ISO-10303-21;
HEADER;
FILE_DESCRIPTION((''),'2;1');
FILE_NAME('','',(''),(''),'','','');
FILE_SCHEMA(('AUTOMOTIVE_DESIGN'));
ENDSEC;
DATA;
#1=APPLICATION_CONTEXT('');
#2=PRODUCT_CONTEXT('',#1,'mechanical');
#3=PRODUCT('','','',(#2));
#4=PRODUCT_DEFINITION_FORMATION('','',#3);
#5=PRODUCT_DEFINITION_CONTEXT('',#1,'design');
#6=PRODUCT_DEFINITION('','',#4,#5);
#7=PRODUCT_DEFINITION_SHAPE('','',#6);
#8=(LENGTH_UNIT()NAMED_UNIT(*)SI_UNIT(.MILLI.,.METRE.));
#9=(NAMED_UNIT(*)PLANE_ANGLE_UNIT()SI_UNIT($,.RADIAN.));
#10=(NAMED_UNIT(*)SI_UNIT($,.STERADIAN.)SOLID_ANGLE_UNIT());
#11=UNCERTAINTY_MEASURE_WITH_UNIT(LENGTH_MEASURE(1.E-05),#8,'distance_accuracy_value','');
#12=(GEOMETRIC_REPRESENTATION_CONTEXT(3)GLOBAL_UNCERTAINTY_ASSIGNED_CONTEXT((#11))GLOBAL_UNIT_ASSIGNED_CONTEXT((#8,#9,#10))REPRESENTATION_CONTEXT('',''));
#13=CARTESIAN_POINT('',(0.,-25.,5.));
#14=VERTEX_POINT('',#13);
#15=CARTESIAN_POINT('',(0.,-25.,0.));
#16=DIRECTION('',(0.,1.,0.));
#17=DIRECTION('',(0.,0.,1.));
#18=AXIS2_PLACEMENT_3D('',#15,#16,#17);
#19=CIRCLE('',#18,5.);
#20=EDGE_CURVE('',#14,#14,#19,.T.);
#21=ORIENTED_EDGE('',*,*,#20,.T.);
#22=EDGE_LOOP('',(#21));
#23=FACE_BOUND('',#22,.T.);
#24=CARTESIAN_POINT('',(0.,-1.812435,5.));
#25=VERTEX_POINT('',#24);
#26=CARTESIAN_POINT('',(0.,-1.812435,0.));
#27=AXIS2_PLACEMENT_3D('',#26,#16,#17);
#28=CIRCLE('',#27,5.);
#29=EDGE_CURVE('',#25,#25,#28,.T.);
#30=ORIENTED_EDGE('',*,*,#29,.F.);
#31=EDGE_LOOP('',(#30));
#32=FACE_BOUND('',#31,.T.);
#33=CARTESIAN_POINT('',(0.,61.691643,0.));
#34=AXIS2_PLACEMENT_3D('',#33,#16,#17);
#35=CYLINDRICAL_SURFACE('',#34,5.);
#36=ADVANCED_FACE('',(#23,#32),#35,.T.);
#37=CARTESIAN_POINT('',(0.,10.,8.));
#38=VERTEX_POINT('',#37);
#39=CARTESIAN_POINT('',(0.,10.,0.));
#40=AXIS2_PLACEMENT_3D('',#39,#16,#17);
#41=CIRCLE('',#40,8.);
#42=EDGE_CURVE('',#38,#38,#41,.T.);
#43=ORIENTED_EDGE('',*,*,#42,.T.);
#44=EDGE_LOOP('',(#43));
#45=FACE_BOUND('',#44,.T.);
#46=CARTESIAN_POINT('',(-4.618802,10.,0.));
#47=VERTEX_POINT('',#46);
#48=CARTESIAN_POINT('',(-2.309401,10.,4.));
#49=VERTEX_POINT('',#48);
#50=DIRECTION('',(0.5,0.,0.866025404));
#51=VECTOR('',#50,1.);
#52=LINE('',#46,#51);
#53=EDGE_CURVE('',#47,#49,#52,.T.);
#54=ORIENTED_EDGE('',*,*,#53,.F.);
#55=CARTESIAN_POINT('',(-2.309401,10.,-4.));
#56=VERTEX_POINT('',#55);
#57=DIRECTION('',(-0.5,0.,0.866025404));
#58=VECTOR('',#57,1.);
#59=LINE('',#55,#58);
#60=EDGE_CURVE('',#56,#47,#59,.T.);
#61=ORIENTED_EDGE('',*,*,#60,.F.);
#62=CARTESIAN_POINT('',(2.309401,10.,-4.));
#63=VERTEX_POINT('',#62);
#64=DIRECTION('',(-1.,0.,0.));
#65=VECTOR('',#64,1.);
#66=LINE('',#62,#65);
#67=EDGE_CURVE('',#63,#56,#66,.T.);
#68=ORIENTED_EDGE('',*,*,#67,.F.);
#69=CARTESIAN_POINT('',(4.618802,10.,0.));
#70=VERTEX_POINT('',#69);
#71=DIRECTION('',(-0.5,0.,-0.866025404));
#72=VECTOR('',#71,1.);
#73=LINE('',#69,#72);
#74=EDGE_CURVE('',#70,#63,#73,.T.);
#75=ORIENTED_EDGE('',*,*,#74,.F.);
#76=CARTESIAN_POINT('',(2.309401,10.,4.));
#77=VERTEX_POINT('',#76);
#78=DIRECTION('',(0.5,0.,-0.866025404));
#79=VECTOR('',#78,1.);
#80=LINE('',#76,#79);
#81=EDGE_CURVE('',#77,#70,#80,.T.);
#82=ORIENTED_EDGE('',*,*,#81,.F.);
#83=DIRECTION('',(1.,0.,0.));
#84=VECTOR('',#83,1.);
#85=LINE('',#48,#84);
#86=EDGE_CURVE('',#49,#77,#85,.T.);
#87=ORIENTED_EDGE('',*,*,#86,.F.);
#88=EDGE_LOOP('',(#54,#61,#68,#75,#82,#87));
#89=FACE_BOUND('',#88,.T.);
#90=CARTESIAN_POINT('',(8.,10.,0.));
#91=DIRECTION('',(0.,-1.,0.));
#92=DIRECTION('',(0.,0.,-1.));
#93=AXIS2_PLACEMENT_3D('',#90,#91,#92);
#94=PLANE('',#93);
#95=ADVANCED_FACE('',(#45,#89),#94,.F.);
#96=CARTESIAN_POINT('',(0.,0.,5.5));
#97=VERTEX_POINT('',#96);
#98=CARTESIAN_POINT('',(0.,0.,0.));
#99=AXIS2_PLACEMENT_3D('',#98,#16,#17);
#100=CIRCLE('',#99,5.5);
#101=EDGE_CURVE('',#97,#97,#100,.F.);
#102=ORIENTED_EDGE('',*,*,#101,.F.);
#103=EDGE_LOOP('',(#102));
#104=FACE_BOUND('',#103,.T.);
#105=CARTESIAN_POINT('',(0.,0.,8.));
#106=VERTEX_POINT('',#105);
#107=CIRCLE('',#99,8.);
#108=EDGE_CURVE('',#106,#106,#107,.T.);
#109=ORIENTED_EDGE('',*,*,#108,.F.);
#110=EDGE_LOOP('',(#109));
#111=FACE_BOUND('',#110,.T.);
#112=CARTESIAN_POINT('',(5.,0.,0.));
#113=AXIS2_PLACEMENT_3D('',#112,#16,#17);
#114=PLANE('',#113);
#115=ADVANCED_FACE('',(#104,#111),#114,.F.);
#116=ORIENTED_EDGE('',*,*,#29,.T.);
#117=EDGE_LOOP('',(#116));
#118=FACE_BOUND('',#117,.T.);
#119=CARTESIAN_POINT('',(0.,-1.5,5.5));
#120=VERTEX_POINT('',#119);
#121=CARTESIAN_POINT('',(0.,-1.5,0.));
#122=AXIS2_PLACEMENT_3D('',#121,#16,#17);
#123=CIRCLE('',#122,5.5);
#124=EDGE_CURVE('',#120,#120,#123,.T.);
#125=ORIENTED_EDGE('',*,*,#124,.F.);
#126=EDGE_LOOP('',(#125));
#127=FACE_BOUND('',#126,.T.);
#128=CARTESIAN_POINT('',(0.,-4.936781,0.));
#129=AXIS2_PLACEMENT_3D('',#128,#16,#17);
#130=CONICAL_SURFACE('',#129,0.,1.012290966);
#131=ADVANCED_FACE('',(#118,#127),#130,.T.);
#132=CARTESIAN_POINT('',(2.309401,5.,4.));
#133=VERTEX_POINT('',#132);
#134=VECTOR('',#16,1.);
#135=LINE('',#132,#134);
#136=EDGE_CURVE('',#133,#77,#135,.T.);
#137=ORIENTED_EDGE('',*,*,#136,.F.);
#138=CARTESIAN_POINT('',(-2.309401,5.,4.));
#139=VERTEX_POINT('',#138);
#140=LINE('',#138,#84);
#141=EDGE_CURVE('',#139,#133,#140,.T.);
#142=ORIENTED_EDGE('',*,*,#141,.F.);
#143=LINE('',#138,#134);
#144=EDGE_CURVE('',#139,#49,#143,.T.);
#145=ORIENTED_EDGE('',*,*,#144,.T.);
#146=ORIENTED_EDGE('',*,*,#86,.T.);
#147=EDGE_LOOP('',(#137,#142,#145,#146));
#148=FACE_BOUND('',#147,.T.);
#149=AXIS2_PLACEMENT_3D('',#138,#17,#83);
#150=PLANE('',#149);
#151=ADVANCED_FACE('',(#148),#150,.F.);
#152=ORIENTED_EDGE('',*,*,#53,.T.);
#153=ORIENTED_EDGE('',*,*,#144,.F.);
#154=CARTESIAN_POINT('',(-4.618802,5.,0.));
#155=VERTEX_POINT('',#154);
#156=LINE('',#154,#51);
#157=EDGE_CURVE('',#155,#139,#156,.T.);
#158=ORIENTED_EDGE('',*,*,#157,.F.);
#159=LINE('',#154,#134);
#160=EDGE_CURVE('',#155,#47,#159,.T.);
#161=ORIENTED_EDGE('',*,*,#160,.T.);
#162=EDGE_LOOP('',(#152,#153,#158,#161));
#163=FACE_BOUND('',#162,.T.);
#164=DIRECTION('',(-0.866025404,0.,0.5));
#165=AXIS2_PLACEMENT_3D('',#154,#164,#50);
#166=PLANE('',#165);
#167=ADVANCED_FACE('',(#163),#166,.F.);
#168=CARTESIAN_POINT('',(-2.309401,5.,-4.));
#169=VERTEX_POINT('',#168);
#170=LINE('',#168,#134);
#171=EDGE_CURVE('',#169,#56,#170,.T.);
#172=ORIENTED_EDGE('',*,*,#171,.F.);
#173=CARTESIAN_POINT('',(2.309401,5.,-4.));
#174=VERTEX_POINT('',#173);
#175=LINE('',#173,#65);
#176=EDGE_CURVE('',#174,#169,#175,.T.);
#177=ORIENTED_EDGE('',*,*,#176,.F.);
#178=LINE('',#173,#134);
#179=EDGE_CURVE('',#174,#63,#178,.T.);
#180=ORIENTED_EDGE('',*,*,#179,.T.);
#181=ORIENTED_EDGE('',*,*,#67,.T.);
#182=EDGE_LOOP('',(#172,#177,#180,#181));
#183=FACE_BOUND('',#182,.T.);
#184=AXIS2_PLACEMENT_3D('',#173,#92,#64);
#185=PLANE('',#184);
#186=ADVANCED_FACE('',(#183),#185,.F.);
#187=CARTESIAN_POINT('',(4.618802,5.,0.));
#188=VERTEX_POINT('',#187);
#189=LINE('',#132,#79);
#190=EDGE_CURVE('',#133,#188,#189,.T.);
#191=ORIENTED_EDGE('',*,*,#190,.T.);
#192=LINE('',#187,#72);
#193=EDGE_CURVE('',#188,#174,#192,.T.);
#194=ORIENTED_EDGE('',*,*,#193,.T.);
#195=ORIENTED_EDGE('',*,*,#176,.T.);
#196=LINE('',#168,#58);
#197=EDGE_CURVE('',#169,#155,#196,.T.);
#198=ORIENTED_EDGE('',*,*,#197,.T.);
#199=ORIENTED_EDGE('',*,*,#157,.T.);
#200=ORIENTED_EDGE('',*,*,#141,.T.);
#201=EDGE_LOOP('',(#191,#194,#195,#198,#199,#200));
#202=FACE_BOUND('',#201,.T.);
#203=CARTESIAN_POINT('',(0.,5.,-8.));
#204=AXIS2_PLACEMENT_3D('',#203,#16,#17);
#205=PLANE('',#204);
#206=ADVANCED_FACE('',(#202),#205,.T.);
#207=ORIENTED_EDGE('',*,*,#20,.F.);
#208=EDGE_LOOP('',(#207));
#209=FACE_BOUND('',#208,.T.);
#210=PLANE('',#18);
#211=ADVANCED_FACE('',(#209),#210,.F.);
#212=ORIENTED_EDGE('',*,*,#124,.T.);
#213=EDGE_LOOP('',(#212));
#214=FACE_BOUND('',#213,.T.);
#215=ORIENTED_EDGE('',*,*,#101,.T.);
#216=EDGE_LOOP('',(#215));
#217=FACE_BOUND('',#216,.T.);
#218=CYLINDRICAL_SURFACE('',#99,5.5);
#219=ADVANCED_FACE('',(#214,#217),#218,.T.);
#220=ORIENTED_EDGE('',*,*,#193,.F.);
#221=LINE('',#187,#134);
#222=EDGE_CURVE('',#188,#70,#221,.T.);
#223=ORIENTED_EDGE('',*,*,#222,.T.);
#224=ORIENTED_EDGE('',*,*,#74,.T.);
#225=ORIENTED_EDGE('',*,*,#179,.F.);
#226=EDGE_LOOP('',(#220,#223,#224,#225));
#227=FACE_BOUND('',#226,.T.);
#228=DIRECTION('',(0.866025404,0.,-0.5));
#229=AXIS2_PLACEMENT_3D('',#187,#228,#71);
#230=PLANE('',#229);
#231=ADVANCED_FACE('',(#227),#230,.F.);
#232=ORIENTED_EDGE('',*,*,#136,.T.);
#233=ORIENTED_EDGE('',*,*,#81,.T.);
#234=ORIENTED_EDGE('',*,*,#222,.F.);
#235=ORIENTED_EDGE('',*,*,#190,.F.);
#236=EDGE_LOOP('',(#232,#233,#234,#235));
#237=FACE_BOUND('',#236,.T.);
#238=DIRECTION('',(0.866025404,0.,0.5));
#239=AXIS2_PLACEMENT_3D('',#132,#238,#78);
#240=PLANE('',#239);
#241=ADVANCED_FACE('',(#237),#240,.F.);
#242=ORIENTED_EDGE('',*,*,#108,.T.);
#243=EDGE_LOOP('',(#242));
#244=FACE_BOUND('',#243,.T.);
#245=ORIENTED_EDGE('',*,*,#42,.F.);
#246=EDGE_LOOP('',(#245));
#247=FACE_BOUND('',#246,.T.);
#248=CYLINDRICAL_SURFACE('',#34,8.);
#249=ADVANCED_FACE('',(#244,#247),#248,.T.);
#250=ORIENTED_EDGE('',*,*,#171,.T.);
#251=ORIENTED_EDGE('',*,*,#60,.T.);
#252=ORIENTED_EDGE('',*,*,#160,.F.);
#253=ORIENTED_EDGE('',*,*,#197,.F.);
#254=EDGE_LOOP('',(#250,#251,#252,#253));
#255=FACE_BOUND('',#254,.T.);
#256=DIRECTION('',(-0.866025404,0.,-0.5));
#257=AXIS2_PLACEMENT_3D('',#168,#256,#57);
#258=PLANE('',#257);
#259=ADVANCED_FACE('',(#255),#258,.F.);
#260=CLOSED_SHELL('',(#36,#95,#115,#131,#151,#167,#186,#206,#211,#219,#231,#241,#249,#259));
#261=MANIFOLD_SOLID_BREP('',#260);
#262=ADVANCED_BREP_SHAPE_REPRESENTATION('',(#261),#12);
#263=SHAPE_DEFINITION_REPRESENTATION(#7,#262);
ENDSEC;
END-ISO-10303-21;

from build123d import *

# Parameters (mm, degrees)
CUT_EXTRUDE1_DEPTH = 5


with BuildPart() as part:
    # Sketch1 → Revolve1 (revolve)
    with BuildSketch(Plane.XY, mode=Mode.PRIVATE) as revolve1_sk:
        Polygon((0, -25), (5, -25), (5, 0), (8, 0), (8, 10), (0, 10), align=None)
    revolve(revolve1_sk.sketch.rotate(Axis((0, 61.691642626, 0), (0, -1, 0)), 90), axis=Axis((0, 61.691642626, 0), (0, -1, 0)))

    # Sketch2 → Cut-Extrude1 (cut)
    with BuildSketch(Plane(origin=(0, 10, 0), x_dir=(-1, 0, 0), z_dir=(0, 1, 0))):
        Polygon((-2.309401077, -4), (2.309401077, -4), (4.618802154, 0), (2.309401077, 4), (-2.309401077, 4), (-4.618802154, 0), align=None)
    extrude(amount=-CUT_EXTRUDE1_DEPTH, mode=Mode.SUBTRACT)

    # Sketch3 → O-ring relief in hole (revolve)
    with BuildSketch(Plane.XY, mode=Mode.PRIVATE) as o_ring_relief_in_hole_sk:
        Polygon((0, 0), (5.5, 0), (5.5, -1.5), (0, -4.936781436), align=None)
    revolve(o_ring_relief_in_hole_sk.sketch.rotate(Axis((0, 0, 0), (0, -1, 0)), 90), axis=Axis((0, 0, 0), (0, -1, 0)))


solid = part.part
